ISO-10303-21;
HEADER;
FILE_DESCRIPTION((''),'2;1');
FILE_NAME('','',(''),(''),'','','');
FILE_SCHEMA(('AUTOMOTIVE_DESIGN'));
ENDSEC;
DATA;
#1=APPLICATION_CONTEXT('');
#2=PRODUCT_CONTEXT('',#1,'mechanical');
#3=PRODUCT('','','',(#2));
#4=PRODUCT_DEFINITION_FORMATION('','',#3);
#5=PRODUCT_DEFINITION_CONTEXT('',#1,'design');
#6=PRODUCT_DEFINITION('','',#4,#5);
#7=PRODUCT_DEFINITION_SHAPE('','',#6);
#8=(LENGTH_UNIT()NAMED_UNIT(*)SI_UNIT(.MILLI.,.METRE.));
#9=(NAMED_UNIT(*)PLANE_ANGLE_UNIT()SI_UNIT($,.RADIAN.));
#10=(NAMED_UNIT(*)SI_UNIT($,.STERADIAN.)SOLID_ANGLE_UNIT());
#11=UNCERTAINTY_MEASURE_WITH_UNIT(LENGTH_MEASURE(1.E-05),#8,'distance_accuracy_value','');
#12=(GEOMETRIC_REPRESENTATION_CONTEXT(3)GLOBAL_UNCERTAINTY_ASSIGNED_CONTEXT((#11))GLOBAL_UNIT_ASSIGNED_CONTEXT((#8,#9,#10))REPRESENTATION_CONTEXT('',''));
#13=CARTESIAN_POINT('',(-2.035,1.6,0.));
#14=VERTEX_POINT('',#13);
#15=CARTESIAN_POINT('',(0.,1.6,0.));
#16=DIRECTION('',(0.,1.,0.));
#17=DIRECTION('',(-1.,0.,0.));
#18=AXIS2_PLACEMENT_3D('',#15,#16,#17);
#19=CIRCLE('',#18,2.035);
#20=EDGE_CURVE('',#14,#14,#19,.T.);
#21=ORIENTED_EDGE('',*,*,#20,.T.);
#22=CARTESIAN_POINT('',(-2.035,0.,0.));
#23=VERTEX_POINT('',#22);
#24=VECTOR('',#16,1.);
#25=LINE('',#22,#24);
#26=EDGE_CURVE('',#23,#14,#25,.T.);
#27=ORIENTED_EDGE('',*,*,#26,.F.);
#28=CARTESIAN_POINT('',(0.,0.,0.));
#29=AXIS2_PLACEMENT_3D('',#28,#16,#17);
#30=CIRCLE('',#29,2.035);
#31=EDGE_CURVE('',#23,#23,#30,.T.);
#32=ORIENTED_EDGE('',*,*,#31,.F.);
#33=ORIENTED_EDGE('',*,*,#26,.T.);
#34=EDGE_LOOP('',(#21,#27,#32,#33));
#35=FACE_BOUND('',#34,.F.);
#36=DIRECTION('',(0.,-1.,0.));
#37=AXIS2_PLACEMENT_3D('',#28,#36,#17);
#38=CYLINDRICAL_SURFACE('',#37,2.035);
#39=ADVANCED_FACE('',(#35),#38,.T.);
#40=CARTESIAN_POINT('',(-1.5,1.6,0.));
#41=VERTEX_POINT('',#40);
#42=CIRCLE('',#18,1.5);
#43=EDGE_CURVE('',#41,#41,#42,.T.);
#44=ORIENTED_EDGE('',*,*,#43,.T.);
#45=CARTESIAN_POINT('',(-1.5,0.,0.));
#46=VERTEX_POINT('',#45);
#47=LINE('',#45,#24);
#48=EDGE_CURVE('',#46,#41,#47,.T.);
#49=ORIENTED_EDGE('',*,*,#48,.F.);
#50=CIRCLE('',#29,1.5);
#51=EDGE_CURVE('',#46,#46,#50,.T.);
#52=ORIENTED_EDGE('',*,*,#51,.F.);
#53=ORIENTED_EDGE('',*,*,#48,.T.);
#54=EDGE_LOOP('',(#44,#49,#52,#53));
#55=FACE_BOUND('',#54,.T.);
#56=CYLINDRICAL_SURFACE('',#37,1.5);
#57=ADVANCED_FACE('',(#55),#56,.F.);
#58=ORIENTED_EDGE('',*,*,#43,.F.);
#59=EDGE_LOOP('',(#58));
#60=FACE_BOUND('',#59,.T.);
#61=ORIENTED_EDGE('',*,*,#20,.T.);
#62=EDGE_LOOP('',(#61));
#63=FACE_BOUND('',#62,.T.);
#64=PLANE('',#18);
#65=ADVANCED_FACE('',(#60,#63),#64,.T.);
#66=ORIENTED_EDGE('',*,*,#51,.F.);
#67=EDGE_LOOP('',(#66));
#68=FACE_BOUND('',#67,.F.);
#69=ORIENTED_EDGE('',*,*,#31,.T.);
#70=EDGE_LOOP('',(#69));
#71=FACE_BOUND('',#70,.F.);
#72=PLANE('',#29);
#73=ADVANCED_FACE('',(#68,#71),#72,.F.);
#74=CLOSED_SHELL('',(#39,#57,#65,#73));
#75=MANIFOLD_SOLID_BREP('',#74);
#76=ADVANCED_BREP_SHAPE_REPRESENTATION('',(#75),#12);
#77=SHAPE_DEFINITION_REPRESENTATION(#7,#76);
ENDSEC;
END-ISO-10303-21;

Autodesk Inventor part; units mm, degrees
ref_plane "YZ Plane" through (0, 0, 0) normal (1, 0, 0) x (0, 1, 0)
ref_plane "XZ Plane" through (0, 0, 0) normal (0, 1, 0) x (-1, 0, 0)
ref_plane "XY Plane" through (0, 0, 0) normal (0, 0, 1) x (1, 0, 0)
sketch "スケッチ1" plane through (0, 0, 0) normal (0, 1, 0) x (-1, 0, 0)
  circle A0 centre (0, 0) radius 2.035
  circle A1 centre (0, 0) radius 1.5
  dimension "d0" = 4.07
  dimension "d1" = 3
extrude "押し出し1" add sketch "スケッチ1" along normal blind 1.6
properties part number "spacer"
